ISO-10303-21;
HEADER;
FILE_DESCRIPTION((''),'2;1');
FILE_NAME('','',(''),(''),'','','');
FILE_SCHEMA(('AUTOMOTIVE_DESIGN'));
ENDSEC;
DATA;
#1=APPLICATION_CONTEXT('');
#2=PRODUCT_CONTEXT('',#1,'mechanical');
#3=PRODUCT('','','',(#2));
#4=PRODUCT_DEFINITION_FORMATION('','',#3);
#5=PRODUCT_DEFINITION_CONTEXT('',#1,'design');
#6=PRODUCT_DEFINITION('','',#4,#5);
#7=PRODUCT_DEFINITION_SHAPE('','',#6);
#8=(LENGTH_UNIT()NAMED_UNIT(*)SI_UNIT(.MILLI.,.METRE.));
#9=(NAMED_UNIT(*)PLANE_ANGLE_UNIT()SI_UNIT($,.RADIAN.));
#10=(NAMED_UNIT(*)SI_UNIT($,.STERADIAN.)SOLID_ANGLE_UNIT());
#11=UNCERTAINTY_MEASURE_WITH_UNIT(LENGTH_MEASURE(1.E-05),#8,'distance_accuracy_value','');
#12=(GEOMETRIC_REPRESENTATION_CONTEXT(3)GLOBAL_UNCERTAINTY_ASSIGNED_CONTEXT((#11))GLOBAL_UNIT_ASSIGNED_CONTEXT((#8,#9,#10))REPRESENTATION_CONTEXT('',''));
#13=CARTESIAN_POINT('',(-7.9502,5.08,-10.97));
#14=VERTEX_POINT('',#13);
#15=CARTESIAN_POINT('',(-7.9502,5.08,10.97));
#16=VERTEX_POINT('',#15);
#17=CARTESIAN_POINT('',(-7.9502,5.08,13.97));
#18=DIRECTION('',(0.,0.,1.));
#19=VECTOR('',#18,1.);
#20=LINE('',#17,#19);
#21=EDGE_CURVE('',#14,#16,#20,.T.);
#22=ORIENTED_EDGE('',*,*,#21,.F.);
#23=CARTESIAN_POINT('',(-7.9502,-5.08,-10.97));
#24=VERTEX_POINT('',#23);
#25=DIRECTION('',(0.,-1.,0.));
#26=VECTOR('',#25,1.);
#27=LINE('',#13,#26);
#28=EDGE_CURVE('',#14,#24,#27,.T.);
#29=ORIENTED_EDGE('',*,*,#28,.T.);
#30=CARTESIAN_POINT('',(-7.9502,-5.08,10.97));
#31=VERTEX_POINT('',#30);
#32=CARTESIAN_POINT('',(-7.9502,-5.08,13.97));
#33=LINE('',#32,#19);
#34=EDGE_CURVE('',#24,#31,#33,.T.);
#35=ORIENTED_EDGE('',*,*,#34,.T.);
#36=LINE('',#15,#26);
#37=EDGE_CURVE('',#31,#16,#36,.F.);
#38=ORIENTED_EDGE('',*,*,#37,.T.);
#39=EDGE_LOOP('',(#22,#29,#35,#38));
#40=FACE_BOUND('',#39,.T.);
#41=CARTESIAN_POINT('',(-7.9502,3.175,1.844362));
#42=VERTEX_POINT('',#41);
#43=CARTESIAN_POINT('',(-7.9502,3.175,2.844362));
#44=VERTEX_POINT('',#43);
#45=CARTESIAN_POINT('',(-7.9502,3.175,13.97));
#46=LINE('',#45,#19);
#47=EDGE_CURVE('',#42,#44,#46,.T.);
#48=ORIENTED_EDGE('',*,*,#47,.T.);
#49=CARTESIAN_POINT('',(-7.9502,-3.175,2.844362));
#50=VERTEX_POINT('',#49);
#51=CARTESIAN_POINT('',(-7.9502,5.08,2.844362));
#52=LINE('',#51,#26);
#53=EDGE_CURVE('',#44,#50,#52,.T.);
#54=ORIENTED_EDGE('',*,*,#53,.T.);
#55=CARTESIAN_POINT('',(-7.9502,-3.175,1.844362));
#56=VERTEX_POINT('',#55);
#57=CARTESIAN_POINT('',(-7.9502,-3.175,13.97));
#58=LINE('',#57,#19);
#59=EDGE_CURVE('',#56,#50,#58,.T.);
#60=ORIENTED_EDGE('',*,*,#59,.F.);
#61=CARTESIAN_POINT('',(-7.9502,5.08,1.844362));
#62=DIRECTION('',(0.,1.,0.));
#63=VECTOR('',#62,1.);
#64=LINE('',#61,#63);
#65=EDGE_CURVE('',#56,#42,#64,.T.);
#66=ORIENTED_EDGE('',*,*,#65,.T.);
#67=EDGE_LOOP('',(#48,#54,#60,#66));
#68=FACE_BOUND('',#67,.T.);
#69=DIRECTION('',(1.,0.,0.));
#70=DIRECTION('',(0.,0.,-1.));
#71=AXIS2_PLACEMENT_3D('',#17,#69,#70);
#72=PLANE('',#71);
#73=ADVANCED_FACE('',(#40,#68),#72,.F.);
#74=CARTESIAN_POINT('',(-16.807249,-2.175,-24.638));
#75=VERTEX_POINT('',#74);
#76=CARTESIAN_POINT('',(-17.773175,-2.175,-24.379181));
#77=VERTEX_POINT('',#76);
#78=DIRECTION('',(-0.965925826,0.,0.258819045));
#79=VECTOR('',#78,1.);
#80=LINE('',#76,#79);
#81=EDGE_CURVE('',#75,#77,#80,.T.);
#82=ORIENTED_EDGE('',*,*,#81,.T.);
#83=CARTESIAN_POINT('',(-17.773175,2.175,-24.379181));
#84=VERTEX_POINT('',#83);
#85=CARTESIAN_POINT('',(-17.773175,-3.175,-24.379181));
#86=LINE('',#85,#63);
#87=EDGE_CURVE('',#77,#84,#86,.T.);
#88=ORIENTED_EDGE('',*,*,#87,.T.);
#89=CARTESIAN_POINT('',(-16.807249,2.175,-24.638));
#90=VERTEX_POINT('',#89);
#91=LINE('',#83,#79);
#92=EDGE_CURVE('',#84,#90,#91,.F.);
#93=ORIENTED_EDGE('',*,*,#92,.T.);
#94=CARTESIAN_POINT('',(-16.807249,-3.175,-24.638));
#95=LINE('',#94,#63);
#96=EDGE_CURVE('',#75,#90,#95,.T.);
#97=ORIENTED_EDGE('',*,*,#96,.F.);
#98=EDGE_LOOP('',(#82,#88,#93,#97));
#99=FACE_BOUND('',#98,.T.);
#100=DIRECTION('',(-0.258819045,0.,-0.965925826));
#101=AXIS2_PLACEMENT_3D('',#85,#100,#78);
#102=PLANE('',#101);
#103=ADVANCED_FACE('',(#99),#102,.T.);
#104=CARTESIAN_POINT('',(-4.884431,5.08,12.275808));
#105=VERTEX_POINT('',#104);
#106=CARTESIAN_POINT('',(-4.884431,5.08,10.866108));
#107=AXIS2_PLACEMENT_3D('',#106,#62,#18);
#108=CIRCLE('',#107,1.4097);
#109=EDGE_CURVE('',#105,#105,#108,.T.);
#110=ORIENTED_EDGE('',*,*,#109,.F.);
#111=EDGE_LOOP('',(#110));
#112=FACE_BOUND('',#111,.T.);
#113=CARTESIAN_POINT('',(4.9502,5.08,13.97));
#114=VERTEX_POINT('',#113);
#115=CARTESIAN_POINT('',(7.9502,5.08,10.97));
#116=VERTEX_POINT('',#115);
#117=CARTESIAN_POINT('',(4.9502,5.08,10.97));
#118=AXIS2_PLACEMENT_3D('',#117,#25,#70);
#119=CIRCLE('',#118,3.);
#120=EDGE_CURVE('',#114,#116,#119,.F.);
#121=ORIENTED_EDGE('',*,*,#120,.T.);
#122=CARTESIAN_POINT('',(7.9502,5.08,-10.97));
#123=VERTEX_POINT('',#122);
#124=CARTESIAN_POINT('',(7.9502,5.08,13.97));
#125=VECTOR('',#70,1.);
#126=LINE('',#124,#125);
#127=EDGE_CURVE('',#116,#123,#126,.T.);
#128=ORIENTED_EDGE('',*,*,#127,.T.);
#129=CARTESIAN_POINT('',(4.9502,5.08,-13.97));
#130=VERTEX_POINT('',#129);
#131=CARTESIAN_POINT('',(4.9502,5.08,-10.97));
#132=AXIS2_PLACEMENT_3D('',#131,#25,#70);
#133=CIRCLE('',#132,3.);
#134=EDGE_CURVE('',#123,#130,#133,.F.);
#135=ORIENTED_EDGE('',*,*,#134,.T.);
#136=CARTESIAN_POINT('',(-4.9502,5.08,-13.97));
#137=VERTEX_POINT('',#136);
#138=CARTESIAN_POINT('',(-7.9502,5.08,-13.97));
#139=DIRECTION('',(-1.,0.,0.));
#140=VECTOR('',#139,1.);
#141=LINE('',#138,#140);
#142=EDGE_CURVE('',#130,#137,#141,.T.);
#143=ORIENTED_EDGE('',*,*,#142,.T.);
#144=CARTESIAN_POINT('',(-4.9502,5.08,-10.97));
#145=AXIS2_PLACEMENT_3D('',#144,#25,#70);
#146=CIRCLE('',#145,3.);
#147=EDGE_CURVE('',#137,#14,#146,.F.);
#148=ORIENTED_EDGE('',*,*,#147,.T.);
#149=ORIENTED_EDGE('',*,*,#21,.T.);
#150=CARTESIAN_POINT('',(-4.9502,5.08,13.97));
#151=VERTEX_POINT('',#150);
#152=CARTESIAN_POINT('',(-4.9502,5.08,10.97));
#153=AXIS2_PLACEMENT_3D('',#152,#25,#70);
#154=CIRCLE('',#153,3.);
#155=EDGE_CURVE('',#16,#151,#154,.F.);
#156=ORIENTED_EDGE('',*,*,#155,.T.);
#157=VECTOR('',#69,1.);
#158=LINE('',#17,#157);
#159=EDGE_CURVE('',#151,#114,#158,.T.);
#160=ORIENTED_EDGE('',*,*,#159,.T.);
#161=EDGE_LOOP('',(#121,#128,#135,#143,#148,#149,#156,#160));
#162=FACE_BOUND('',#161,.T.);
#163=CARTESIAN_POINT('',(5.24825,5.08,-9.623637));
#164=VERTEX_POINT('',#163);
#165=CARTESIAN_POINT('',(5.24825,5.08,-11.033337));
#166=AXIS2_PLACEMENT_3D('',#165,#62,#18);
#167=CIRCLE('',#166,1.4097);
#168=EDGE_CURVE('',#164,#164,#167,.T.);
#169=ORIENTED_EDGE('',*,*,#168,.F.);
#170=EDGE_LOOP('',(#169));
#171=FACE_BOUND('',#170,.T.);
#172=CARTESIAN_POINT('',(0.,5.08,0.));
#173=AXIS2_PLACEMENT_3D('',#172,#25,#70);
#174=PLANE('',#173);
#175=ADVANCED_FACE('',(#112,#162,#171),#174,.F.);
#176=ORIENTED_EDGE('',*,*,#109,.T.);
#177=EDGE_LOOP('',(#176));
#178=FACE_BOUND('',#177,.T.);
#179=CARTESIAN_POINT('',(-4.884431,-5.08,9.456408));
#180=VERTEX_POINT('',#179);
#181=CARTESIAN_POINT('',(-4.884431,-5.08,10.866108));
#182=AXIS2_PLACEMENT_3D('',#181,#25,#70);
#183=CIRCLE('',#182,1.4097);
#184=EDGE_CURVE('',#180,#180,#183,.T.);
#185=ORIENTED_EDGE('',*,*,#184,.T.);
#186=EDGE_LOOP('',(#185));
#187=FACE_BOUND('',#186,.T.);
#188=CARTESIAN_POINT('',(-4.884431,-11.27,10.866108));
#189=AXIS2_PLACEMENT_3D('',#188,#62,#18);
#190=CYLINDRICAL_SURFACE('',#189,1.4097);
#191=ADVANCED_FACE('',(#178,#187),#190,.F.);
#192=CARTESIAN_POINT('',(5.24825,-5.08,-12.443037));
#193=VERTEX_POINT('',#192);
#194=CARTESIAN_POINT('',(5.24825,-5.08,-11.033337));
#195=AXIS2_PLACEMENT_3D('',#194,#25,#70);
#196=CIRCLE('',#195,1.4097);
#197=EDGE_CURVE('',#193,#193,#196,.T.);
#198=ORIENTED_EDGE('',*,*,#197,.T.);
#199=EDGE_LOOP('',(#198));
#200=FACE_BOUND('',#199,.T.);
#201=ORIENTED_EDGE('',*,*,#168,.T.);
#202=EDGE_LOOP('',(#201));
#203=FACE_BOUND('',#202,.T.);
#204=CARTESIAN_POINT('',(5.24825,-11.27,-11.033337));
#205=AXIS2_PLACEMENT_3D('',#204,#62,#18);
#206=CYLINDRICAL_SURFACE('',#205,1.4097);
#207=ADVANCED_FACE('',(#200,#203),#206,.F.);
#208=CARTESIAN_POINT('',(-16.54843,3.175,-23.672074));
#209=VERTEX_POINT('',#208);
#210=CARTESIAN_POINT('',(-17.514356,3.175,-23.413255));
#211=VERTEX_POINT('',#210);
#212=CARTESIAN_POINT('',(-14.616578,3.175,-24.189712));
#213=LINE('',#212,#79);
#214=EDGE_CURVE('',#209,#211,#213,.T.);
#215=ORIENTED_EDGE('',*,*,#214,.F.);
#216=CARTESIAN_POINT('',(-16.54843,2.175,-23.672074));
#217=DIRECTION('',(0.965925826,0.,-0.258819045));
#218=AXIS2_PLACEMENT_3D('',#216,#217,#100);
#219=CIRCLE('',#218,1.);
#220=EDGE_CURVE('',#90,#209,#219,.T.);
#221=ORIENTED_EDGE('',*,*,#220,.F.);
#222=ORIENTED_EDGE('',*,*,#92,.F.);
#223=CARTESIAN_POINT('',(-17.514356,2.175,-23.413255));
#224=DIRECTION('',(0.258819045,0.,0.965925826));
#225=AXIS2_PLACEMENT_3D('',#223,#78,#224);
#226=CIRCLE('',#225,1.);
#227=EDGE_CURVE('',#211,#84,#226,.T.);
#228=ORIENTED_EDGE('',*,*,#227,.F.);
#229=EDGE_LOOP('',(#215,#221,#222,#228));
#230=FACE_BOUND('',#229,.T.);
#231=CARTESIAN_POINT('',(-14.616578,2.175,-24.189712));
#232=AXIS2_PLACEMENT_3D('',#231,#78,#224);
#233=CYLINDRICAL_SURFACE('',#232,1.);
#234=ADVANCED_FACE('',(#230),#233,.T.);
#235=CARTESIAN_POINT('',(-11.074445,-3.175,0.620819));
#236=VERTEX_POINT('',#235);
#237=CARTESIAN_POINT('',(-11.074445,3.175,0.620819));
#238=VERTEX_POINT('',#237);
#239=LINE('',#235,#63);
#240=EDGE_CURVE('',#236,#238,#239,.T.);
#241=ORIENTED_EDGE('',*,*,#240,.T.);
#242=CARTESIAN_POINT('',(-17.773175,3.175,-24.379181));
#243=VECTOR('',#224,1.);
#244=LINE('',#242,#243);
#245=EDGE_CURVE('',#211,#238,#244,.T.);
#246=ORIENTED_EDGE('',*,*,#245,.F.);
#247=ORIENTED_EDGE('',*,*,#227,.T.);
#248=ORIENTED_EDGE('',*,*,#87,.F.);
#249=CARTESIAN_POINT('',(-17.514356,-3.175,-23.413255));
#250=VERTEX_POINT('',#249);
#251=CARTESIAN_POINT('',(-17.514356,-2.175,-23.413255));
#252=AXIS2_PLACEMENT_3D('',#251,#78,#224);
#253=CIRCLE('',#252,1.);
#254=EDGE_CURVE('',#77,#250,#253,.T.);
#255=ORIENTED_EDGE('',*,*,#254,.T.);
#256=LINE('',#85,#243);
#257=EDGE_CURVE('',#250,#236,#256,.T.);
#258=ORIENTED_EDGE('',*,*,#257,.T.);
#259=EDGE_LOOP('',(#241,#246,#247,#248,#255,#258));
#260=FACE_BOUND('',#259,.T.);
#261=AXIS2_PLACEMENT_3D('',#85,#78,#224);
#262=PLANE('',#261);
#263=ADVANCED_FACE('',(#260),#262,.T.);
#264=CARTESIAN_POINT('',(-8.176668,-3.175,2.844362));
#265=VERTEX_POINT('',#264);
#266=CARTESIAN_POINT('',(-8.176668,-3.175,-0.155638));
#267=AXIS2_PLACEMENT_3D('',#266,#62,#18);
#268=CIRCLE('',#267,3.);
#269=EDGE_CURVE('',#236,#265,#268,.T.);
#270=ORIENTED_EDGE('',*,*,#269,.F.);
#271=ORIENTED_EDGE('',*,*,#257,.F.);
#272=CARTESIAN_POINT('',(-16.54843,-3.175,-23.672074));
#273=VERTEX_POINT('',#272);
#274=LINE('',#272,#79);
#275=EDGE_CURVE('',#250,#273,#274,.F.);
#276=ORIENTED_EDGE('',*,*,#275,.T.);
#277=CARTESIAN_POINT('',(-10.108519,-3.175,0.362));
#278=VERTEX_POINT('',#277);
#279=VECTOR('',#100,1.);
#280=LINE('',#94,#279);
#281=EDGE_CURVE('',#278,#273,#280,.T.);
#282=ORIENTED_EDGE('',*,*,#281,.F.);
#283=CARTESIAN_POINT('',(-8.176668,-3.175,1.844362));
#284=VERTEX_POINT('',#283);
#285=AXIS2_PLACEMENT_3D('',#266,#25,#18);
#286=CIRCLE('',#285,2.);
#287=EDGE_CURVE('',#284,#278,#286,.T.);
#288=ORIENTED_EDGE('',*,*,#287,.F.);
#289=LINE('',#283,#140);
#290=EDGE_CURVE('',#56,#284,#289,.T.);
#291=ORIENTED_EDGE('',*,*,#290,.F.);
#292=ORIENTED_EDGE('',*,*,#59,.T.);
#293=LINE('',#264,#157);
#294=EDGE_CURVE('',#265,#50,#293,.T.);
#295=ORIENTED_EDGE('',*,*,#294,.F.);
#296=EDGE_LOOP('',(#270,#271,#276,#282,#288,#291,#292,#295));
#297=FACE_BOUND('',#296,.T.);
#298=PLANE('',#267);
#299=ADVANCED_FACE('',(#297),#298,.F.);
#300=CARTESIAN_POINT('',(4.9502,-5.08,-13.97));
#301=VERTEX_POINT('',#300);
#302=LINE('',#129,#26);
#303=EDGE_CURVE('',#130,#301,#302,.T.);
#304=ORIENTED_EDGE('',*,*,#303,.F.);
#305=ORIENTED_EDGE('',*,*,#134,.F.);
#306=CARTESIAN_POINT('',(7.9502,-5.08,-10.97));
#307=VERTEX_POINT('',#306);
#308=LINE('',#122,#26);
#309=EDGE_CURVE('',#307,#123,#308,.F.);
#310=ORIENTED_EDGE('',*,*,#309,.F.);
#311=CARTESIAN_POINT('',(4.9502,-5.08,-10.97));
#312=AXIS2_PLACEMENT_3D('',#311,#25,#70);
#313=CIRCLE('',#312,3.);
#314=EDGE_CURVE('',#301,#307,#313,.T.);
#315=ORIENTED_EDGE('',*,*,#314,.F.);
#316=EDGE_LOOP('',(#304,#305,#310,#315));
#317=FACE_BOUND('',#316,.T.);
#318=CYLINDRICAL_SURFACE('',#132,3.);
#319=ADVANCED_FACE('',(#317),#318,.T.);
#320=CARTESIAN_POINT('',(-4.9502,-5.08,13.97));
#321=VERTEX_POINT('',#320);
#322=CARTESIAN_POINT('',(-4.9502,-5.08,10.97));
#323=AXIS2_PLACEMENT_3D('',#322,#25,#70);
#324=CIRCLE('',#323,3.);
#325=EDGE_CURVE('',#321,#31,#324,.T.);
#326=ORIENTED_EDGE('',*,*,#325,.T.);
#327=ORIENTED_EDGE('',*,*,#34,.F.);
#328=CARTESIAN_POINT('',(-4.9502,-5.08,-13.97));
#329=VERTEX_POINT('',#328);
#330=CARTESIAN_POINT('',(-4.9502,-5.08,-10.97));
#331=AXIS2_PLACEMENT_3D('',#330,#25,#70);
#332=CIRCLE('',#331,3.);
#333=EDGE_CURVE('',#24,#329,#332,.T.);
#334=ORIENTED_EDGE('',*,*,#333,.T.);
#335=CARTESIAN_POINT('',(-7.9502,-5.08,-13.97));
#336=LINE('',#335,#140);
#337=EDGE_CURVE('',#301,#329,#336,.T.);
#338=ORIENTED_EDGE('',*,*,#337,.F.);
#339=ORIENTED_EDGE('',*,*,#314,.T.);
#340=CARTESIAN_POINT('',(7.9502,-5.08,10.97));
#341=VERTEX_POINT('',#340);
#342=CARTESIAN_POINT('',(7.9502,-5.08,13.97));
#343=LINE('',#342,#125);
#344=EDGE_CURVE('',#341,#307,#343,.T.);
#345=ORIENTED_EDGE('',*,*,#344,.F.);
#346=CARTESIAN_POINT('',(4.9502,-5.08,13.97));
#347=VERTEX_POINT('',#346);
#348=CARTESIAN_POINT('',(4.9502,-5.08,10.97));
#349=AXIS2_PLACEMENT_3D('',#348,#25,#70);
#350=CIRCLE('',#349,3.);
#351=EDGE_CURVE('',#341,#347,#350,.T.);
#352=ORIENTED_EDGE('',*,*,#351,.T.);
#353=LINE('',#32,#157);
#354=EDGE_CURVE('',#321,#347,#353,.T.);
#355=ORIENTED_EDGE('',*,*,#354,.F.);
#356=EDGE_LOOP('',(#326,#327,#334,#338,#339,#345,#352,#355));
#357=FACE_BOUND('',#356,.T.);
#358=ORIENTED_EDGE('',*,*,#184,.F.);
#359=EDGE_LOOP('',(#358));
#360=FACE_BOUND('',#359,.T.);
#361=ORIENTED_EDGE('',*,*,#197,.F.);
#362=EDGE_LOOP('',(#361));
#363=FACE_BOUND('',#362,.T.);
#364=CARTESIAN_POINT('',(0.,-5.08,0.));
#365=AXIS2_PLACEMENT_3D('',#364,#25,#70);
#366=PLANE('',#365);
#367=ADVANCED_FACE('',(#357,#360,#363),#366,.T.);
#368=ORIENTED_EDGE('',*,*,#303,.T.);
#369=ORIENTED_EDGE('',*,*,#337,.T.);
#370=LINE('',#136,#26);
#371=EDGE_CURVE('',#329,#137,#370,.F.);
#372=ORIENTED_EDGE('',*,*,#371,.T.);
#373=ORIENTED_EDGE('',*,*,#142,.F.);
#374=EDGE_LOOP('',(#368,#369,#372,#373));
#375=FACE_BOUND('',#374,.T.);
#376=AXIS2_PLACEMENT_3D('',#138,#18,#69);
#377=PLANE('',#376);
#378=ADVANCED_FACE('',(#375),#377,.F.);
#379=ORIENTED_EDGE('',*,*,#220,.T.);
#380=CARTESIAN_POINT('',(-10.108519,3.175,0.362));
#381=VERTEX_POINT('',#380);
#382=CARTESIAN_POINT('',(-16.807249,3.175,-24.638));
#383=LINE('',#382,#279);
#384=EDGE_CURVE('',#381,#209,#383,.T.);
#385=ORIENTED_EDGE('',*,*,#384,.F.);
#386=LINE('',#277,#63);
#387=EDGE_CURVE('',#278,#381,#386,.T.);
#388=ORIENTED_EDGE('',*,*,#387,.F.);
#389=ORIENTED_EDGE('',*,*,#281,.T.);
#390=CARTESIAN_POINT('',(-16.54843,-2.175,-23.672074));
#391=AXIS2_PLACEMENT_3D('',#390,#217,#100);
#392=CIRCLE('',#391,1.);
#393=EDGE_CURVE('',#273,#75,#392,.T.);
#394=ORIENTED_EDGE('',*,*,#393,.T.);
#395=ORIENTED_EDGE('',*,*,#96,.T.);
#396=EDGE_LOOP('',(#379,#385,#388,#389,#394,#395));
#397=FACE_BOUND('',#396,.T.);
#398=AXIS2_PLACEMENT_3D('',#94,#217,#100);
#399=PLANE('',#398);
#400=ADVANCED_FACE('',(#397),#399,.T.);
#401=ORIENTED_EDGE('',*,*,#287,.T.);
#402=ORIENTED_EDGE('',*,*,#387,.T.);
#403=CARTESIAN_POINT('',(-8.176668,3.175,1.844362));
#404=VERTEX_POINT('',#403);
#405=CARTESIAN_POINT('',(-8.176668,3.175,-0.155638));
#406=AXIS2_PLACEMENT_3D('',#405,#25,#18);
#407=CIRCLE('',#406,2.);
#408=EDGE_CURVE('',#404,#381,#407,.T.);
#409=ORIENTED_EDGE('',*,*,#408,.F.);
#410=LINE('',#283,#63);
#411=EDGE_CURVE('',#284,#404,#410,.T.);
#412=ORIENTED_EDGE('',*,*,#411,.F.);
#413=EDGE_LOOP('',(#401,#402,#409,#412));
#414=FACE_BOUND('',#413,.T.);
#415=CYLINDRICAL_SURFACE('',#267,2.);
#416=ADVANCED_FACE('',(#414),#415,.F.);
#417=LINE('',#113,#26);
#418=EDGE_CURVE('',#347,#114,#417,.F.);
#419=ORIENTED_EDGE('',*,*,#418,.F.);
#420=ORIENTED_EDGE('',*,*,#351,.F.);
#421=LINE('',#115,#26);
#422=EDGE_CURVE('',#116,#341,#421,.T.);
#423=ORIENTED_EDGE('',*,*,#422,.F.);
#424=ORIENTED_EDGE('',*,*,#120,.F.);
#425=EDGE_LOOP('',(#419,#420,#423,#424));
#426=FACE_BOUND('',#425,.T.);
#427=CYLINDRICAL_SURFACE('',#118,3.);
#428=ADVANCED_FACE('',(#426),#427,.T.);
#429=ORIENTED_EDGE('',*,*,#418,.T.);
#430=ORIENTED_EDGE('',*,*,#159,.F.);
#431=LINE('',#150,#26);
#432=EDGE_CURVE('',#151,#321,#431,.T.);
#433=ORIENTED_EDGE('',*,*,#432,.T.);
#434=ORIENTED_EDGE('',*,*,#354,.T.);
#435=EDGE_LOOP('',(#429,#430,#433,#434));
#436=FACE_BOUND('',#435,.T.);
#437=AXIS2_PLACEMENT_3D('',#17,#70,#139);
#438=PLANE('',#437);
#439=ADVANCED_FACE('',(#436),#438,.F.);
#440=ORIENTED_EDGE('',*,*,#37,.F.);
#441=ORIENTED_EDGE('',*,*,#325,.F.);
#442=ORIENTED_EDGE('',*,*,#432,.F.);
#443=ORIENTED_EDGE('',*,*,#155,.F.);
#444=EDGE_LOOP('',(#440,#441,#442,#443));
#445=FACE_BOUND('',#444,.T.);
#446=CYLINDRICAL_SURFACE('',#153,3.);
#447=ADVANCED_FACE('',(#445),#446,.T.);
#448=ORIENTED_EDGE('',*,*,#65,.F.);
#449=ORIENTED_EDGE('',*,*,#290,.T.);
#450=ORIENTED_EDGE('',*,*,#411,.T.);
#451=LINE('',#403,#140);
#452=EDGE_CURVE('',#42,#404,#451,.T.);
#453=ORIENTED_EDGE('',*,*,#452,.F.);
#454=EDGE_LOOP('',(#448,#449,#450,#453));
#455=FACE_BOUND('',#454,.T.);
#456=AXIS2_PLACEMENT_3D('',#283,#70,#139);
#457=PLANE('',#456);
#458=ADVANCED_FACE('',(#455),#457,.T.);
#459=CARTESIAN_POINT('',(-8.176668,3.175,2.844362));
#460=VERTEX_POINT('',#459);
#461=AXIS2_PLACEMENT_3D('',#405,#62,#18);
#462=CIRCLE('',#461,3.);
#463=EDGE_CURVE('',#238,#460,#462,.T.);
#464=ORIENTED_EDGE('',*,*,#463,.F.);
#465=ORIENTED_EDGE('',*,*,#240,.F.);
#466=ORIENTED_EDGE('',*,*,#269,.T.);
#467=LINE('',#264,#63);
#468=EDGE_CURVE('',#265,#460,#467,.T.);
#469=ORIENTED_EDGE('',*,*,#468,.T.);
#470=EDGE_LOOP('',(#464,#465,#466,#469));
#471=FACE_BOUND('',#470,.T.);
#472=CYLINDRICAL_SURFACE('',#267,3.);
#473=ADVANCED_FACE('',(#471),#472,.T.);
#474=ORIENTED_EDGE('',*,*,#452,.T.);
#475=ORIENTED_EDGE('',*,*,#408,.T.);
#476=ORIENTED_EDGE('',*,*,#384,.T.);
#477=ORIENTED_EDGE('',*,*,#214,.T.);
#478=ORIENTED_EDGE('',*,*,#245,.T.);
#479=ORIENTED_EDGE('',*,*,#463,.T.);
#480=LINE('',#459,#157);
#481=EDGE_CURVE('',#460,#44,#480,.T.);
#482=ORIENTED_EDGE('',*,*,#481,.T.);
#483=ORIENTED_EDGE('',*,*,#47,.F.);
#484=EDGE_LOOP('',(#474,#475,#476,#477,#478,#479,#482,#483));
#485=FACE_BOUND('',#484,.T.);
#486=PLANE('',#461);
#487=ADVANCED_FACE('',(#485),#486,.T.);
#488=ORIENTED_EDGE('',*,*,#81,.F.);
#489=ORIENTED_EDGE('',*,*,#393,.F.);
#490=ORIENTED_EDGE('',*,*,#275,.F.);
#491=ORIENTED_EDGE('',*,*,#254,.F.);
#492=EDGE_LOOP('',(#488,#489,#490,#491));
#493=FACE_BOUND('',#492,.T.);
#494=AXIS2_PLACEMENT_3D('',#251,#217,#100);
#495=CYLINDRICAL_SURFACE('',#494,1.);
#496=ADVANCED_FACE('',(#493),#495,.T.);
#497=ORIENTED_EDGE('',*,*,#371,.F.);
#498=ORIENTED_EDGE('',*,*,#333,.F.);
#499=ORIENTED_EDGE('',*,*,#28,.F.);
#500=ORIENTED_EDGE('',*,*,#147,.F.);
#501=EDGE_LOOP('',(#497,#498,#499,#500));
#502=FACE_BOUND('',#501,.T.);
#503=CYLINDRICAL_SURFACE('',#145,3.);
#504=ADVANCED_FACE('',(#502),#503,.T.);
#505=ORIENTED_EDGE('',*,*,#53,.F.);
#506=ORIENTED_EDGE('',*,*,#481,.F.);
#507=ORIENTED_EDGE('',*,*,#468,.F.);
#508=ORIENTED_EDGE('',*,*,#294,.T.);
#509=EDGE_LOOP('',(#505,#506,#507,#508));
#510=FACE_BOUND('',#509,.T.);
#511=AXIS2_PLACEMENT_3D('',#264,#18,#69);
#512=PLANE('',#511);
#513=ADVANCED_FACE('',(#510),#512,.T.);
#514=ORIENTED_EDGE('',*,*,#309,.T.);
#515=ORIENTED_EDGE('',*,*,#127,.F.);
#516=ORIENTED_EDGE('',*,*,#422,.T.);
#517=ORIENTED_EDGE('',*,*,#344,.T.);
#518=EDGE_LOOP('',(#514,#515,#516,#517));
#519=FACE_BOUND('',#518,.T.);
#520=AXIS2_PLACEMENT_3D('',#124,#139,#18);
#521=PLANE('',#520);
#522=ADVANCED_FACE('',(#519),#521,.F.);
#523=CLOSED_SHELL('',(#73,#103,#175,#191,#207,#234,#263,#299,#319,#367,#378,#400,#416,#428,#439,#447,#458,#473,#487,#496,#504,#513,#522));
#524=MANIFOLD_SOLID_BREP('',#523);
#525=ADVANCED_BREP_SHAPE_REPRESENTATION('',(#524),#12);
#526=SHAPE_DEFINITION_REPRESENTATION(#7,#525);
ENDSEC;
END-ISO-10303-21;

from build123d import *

# Parameters (mm, degrees)
SKETCH1_W           = 15.9004
SKETCH1_H           = 27.94
BOSS_EXTRUDE1_DEPTH = 5.08
FILLET1_R           = 3
BOSS_EXTRUDE2_DEPTH = 3.175
FILLET2_R           = 1
SKETCH3_R           = 1.4097
CUT_EXTRUDE1_DEPTH  = 16.35


with BuildPart() as part:
    # Sketch1 → Boss-Extrude1 (new, symmetric)
    with BuildSketch(Plane(origin=(0, 0, 0), x_dir=(1, 0, 0), z_dir=(0, 1, 0))):
        Rectangle(SKETCH1_W, SKETCH1_H)
    extrude(amount=BOSS_EXTRUDE1_DEPTH, both=True)

    # Fillet1
    fillet1_edges = [part.edges().sort_by_distance(p)[0] for p in [
        (7.9502, 0, 13.97),
        (-7.9502, 0, 13.97),
        (-7.9502, 0, -13.97),
        (7.9502, 0, -13.97),
    ]]
    fillet(fillet1_edges, radius=FILLET1_R)

    # Sketch2 → Boss-Extrude2 (add, symmetric)
    with BuildSketch(Plane(origin=(0, 0, 0), x_dir=(1, 0, 0), z_dir=(0, 1, 0))):
        with BuildLine():
            Line((-17.773175009, 24.379180955), (-11.074445198, -0.620819045))
            ThreePointArc((-11.074445198, -0.620819045), (-10.002952006, -2.224421931), (-8.176667719, -2.84436191))
            Line((-8.176667719, -2.84436191), (-3.749367894, -2.84436191))
            Line((-3.749367894, -2.84436191), (-3.749367894, -1.84436191))
            Line((-3.749367894, -1.84436191), (-8.176667719, -1.84436191))
            ThreePointArc((-8.176667719, -1.84436191), (-9.394190577, -1.43106859), (-10.108519372, -0.362))
            Line((-10.108519372, -0.362), (-16.807249182, 24.638))
            Line((-16.807249182, 24.638), (-17.773175009, 24.379180955))
        make_face()
    extrude(amount=BOSS_EXTRUDE2_DEPTH, both=True)

    # Fillet2
    fillet2_edges = [part.edges().sort_by_distance(p)[0] for p in [
        (-17.290212095, 3.175, -24.508590477),
        (-17.290212095, -3.175, -24.508590477),
    ]]
    fillet(fillet2_edges, radius=FILLET2_R)

    # Sketch3 → Cut-Extrude1 (cut)
    with BuildSketch(Plane(origin=(0, 5.08, 0), x_dir=(1, 0, 0), z_dir=(0, 1, 0))):
        with Locations(Location((5.248249785, 11.033336761, 0), (0, 0, 270))):
            Circle(SKETCH3_R)
        with Locations(Location((-4.884430829, -10.866108062, 0), (0, 0, 270))):
            Circle(SKETCH3_R)
    extrude(amount=-CUT_EXTRUDE1_DEPTH, mode=Mode.SUBTRACT)


solid = part.part
